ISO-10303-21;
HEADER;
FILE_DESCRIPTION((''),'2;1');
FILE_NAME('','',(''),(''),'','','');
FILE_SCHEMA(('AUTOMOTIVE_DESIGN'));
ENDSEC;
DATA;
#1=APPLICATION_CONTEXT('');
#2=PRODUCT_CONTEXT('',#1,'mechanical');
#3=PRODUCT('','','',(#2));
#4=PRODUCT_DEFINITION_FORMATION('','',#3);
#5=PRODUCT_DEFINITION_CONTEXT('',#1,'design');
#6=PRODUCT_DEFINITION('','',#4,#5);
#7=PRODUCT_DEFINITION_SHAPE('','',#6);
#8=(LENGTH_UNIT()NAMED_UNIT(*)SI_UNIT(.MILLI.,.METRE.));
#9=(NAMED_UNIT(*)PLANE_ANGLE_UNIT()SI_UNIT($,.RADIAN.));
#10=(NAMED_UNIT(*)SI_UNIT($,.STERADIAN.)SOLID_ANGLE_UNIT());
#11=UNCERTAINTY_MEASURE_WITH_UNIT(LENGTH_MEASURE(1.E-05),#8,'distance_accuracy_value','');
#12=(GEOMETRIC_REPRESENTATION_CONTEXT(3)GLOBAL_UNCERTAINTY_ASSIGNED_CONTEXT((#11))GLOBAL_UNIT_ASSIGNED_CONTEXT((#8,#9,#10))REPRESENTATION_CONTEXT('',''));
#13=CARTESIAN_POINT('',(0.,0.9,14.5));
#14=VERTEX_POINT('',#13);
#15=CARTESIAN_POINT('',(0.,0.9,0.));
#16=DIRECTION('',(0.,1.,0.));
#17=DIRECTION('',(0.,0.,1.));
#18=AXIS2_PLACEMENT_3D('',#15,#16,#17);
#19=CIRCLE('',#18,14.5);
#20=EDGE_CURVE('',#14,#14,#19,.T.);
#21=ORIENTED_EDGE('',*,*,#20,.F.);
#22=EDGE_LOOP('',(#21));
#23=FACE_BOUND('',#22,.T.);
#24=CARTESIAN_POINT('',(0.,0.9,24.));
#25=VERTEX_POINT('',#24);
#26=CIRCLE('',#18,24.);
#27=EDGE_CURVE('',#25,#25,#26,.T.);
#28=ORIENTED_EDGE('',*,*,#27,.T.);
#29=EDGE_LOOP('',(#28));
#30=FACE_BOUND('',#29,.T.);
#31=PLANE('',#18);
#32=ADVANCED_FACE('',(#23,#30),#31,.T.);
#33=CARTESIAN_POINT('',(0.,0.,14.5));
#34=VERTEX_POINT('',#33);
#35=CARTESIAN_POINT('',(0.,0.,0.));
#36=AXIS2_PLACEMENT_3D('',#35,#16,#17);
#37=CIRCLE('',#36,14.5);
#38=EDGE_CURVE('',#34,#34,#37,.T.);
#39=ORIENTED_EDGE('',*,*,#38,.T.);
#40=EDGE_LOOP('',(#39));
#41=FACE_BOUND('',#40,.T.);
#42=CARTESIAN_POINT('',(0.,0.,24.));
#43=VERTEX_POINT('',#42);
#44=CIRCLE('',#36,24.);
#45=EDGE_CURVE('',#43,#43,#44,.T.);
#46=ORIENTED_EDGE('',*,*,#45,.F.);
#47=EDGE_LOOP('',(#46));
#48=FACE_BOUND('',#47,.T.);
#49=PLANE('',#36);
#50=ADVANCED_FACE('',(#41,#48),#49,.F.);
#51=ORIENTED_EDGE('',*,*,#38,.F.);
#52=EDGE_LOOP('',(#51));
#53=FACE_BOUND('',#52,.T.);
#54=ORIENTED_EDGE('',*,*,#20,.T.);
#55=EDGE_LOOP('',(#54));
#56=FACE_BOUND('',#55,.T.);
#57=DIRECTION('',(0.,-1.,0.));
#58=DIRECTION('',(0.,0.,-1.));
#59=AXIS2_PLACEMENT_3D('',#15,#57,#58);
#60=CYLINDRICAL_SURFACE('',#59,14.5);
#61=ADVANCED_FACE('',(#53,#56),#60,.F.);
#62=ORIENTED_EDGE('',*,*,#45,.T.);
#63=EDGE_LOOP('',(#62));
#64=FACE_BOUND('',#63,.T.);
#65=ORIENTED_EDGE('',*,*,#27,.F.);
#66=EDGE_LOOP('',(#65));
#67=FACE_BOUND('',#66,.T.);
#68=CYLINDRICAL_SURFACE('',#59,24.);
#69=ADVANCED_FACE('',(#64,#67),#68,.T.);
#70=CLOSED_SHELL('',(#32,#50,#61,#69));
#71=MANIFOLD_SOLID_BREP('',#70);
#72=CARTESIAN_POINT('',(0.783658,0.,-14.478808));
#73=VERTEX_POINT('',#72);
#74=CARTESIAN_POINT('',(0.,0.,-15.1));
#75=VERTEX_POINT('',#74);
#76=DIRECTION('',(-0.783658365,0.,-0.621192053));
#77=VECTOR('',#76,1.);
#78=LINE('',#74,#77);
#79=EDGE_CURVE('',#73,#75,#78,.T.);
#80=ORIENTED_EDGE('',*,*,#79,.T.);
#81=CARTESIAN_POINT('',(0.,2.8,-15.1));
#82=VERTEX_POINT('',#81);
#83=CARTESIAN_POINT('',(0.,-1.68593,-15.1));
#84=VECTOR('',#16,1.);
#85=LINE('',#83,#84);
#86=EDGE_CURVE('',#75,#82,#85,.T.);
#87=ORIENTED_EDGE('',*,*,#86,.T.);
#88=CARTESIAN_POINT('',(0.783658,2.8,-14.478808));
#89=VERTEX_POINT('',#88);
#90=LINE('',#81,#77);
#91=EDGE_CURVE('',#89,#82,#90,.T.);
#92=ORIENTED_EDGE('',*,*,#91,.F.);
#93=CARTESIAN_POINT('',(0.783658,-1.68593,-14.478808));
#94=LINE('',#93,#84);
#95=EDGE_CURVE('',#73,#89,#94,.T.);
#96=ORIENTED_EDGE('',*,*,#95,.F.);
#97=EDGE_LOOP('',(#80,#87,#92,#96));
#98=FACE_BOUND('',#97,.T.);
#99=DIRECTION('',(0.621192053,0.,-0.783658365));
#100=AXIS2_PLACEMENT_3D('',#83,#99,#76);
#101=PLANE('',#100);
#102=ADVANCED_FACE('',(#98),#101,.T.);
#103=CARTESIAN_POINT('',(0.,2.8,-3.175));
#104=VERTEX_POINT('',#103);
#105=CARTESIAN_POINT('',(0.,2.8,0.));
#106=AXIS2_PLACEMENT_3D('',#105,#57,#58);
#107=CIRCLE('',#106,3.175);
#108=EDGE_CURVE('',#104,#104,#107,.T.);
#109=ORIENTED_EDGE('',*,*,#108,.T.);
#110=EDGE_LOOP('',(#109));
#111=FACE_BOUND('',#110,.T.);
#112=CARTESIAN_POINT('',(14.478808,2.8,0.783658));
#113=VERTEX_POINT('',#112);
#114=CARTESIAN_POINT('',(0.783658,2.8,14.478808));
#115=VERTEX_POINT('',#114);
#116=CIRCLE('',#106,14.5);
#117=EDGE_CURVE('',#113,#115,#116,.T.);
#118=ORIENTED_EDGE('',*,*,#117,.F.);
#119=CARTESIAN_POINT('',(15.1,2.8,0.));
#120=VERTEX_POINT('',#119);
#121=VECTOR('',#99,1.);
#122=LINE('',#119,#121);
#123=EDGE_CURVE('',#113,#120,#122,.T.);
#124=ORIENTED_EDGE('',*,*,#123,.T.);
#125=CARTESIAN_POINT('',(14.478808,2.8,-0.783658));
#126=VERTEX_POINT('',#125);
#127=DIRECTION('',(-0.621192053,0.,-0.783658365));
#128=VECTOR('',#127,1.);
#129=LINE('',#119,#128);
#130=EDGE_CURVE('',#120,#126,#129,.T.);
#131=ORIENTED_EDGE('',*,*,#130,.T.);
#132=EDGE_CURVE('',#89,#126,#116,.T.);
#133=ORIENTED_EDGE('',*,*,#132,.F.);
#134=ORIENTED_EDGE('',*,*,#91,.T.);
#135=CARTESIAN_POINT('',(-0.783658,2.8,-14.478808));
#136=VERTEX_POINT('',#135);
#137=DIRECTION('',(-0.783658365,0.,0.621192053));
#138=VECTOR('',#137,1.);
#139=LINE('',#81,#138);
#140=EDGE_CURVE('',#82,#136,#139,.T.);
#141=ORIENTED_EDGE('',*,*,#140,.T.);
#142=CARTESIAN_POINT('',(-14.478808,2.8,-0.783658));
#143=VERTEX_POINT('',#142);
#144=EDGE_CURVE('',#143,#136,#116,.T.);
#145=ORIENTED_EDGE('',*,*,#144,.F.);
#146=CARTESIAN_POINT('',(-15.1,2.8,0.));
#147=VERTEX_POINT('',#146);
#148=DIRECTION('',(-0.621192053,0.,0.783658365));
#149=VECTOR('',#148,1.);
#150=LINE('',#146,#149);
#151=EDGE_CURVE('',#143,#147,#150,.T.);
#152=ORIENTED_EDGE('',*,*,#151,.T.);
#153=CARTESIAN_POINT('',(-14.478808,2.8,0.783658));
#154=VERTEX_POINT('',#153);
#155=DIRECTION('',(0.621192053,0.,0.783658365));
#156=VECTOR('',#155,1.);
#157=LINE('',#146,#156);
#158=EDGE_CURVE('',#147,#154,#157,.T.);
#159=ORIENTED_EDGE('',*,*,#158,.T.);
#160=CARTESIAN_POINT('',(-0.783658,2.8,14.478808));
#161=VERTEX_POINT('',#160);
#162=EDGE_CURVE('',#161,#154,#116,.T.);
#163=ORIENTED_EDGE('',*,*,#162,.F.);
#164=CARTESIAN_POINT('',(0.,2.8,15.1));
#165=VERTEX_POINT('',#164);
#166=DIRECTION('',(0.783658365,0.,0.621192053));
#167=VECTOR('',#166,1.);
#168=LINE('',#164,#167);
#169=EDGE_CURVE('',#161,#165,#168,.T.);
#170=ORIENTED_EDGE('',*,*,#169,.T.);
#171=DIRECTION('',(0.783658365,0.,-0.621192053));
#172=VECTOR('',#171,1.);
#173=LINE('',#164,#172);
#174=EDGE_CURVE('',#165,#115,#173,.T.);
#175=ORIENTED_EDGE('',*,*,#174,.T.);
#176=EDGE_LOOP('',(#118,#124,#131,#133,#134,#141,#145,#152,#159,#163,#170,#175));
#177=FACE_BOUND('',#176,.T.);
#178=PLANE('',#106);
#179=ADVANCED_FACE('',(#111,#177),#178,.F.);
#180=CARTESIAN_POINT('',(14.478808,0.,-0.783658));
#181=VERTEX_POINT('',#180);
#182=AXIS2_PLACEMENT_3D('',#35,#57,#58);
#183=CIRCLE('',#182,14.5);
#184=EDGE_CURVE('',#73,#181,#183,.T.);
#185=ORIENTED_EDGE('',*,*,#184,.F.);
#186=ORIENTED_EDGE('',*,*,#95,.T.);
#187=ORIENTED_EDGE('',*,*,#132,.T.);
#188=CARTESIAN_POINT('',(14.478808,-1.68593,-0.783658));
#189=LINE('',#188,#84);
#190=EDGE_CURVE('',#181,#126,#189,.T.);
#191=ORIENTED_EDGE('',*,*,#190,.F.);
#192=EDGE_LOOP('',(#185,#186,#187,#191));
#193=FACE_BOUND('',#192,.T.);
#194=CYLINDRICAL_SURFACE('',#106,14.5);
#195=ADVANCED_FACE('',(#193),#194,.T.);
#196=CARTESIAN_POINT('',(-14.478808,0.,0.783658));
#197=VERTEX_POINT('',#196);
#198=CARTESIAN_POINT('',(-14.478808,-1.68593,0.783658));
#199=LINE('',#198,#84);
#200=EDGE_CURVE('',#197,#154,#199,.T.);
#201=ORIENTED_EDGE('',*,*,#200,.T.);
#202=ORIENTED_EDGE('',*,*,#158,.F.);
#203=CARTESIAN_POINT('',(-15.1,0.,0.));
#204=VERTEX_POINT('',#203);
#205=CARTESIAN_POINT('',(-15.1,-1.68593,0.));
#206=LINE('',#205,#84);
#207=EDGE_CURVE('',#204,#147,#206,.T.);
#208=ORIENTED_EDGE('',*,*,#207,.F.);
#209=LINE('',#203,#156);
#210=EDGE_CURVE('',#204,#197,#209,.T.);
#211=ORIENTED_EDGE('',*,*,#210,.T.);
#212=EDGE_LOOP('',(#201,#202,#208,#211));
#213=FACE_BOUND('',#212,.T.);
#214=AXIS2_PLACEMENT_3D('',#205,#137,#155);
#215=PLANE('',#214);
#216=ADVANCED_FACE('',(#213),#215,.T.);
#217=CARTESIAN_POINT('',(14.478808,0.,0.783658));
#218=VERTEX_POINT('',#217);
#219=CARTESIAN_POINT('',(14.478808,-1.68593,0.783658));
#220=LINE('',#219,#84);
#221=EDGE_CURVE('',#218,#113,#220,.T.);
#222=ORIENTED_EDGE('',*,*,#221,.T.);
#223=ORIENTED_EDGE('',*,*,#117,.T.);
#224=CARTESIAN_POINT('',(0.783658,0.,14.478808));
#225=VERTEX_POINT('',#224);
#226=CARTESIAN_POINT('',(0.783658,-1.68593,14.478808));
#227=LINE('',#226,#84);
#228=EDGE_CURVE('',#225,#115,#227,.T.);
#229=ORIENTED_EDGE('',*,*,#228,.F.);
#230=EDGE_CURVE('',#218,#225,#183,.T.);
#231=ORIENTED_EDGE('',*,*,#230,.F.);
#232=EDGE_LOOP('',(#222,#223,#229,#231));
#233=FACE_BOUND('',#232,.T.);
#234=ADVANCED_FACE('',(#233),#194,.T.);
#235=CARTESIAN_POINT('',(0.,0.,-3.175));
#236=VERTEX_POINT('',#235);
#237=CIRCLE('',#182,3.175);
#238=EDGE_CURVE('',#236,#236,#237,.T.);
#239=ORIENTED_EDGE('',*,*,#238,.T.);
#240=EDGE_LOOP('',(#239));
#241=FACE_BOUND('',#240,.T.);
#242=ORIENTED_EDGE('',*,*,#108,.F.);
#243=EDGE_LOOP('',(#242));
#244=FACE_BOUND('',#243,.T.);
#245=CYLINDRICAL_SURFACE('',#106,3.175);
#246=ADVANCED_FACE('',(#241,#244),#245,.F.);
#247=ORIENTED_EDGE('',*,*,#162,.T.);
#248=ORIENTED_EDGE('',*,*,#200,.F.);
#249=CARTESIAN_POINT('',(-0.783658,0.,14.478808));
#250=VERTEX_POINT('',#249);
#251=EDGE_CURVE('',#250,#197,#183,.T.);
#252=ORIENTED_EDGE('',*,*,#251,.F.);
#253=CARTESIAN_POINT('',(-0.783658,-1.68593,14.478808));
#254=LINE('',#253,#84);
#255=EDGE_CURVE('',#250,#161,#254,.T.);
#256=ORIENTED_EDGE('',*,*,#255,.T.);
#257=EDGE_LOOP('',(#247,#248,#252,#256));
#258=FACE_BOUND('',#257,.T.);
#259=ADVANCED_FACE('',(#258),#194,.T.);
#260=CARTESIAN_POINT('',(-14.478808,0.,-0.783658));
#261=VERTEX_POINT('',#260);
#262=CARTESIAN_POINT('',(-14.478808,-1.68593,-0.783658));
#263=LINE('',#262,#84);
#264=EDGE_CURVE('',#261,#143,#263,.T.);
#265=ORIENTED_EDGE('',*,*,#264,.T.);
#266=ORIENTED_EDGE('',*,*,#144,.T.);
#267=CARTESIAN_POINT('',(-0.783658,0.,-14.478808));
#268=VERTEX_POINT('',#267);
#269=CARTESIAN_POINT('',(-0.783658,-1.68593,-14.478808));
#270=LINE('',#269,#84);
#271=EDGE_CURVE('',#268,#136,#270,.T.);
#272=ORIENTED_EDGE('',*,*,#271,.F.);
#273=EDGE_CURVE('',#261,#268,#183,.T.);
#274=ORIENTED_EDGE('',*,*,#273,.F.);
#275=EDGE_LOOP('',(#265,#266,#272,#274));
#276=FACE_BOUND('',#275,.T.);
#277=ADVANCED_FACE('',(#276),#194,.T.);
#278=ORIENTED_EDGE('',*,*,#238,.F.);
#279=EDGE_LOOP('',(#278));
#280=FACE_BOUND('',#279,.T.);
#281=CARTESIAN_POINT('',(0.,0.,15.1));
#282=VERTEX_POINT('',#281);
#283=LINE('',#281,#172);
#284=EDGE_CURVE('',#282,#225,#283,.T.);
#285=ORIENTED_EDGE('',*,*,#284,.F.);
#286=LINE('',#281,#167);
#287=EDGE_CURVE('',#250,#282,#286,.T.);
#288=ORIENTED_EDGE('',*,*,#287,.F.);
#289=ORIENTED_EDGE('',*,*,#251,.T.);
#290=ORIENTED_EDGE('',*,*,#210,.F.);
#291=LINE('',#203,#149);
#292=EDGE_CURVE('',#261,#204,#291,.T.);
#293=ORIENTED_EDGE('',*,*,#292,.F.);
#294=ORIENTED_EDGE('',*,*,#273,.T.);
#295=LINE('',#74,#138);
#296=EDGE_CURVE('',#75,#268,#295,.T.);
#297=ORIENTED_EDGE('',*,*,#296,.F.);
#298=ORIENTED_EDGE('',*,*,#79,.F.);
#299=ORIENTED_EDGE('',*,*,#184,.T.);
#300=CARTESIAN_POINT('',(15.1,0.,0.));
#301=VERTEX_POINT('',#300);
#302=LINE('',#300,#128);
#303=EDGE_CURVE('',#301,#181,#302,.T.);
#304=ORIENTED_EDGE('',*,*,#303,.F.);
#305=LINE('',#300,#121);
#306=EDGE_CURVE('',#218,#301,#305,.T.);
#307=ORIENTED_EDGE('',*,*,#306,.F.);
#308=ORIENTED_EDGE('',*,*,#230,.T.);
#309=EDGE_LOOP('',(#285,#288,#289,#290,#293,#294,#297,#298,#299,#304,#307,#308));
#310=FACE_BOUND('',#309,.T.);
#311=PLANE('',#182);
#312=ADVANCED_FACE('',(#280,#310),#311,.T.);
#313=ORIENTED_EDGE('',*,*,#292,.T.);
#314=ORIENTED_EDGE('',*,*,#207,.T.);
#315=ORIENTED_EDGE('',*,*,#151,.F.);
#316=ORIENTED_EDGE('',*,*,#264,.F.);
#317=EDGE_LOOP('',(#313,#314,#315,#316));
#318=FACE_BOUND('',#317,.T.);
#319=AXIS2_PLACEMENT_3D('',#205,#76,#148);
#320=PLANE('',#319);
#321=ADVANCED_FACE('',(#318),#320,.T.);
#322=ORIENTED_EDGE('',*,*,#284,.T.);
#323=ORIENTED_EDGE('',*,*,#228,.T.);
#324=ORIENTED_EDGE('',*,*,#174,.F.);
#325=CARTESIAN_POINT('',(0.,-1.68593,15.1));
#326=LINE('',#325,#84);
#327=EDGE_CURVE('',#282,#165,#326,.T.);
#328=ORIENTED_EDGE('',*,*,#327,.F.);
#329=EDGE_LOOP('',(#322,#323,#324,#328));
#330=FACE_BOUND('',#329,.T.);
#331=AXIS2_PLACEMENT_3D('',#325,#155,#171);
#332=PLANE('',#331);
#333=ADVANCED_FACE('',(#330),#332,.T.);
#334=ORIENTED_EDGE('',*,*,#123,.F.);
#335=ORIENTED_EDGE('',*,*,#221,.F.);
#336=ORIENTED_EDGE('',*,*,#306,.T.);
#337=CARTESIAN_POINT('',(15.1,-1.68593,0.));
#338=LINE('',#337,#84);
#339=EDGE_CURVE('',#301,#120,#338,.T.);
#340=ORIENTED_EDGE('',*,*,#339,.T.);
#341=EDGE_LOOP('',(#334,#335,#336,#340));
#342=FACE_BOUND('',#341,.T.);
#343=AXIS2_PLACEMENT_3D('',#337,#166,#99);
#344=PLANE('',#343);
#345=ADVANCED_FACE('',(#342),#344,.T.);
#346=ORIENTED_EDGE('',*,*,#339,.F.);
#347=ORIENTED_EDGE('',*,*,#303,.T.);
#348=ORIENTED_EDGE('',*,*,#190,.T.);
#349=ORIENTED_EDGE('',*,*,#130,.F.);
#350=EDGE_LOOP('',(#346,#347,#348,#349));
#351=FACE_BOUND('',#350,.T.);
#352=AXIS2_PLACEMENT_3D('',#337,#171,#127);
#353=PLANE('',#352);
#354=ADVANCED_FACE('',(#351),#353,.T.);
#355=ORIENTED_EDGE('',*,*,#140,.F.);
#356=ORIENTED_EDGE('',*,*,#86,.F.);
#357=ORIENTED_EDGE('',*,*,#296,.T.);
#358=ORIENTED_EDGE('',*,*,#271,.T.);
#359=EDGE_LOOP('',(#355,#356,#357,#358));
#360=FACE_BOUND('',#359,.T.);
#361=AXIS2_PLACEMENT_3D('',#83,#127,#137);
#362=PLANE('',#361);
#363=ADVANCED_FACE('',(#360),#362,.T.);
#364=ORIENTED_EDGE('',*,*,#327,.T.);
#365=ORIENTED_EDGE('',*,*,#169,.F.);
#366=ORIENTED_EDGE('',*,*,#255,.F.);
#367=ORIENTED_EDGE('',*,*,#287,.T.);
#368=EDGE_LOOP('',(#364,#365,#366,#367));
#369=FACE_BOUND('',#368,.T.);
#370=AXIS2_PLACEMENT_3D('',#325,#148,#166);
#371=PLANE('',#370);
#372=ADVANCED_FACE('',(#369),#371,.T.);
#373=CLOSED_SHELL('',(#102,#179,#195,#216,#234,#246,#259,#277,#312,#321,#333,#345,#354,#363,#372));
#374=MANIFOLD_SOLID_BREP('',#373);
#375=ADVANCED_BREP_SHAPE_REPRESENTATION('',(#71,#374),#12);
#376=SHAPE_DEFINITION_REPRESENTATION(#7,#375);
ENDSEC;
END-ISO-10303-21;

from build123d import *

# Parameters (mm, degrees)
SKETCH1_R           = 24
SKETCH1_R_2         = 14.5
BOSS_EXTRUDE1_DEPTH = 0.9
SKETCH2_R           = 14.5
SKETCH2_R_2         = 3.175
BOSS_EXTRUDE2_DEPTH = 2.8
BOSS_EXTRUDE3_START = -2.8
BOSS_EXTRUDE3_DEPTH = 2.8


with BuildPart() as part:
    # Sketch1 → Boss-Extrude1 (new body)
    with BuildSketch(Plane(origin=(0, 0, 0), x_dir=(1, 0, 0), z_dir=(0, 1, 0))):
        with Locations(Location((0, 0, 0), (0, 0, 270))):
            Circle(SKETCH1_R)
        with Locations(Location((0, 0, 0), (0, 0, 270))):
            Circle(SKETCH1_R_2, mode=Mode.SUBTRACT)
    extrude(amount=BOSS_EXTRUDE1_DEPTH)


with BuildPart() as body_2:
    # Sketch2 → Boss-Extrude2 (new body)
    with BuildSketch(Plane.XZ):
        with Locations(Location((0, 0, 0), (0, 0, 270))):
            Circle(SKETCH2_R)
        with Locations(Location((0, 0, 0), (0, 0, 270))):
            Circle(SKETCH2_R_2, mode=Mode.SUBTRACT)
    extrude(amount=-BOSS_EXTRUDE2_DEPTH)

    # Sketch3 → Boss-Extrude3 (add)
    with BuildSketch(Plane(origin=(0, 2.8, 0), x_dir=(1, 0, 0), z_dir=(0, 1, 0)).offset(BOSS_EXTRUDE3_START)):
        with BuildLine():
            Line((-15.1, 0), (-14.478807947, 0.783658365))
            ThreePointArc((-14.478807947, 0.783658365), (-14.5, 0), (-14.478807947, -0.783658365))
            Line((-14.478807947, -0.783658365), (-15.1, 0))
        make_face()
        with BuildLine():
            Line((0, 15.1), (0.783658365, 14.478807947))
            ThreePointArc((0.783658365, 14.478807947), (0, 14.5), (-0.783658365, 14.478807947))
            Line((-0.783658365, 14.478807947), (0, 15.1))
        make_face()
        with BuildLine():
            Line((15.1, 0), (14.478807947, -0.783658365))
            ThreePointArc((14.478807947, -0.783658365), (14.5, 0), (14.478807947, 0.783658365))
            Line((14.478807947, 0.783658365), (15.1, 0))
        make_face()
        with BuildLine():
            Line((0, -15.1), (-0.783658365, -14.478807947))
            ThreePointArc((-0.783658365, -14.478807947), (0, -14.5), (0.783658365, -14.478807947))
            Line((0.783658365, -14.478807947), (0, -15.1))
        make_face()
    extrude(amount=BOSS_EXTRUDE3_DEPTH)


solid = Compound([part.part, body_2.part])
